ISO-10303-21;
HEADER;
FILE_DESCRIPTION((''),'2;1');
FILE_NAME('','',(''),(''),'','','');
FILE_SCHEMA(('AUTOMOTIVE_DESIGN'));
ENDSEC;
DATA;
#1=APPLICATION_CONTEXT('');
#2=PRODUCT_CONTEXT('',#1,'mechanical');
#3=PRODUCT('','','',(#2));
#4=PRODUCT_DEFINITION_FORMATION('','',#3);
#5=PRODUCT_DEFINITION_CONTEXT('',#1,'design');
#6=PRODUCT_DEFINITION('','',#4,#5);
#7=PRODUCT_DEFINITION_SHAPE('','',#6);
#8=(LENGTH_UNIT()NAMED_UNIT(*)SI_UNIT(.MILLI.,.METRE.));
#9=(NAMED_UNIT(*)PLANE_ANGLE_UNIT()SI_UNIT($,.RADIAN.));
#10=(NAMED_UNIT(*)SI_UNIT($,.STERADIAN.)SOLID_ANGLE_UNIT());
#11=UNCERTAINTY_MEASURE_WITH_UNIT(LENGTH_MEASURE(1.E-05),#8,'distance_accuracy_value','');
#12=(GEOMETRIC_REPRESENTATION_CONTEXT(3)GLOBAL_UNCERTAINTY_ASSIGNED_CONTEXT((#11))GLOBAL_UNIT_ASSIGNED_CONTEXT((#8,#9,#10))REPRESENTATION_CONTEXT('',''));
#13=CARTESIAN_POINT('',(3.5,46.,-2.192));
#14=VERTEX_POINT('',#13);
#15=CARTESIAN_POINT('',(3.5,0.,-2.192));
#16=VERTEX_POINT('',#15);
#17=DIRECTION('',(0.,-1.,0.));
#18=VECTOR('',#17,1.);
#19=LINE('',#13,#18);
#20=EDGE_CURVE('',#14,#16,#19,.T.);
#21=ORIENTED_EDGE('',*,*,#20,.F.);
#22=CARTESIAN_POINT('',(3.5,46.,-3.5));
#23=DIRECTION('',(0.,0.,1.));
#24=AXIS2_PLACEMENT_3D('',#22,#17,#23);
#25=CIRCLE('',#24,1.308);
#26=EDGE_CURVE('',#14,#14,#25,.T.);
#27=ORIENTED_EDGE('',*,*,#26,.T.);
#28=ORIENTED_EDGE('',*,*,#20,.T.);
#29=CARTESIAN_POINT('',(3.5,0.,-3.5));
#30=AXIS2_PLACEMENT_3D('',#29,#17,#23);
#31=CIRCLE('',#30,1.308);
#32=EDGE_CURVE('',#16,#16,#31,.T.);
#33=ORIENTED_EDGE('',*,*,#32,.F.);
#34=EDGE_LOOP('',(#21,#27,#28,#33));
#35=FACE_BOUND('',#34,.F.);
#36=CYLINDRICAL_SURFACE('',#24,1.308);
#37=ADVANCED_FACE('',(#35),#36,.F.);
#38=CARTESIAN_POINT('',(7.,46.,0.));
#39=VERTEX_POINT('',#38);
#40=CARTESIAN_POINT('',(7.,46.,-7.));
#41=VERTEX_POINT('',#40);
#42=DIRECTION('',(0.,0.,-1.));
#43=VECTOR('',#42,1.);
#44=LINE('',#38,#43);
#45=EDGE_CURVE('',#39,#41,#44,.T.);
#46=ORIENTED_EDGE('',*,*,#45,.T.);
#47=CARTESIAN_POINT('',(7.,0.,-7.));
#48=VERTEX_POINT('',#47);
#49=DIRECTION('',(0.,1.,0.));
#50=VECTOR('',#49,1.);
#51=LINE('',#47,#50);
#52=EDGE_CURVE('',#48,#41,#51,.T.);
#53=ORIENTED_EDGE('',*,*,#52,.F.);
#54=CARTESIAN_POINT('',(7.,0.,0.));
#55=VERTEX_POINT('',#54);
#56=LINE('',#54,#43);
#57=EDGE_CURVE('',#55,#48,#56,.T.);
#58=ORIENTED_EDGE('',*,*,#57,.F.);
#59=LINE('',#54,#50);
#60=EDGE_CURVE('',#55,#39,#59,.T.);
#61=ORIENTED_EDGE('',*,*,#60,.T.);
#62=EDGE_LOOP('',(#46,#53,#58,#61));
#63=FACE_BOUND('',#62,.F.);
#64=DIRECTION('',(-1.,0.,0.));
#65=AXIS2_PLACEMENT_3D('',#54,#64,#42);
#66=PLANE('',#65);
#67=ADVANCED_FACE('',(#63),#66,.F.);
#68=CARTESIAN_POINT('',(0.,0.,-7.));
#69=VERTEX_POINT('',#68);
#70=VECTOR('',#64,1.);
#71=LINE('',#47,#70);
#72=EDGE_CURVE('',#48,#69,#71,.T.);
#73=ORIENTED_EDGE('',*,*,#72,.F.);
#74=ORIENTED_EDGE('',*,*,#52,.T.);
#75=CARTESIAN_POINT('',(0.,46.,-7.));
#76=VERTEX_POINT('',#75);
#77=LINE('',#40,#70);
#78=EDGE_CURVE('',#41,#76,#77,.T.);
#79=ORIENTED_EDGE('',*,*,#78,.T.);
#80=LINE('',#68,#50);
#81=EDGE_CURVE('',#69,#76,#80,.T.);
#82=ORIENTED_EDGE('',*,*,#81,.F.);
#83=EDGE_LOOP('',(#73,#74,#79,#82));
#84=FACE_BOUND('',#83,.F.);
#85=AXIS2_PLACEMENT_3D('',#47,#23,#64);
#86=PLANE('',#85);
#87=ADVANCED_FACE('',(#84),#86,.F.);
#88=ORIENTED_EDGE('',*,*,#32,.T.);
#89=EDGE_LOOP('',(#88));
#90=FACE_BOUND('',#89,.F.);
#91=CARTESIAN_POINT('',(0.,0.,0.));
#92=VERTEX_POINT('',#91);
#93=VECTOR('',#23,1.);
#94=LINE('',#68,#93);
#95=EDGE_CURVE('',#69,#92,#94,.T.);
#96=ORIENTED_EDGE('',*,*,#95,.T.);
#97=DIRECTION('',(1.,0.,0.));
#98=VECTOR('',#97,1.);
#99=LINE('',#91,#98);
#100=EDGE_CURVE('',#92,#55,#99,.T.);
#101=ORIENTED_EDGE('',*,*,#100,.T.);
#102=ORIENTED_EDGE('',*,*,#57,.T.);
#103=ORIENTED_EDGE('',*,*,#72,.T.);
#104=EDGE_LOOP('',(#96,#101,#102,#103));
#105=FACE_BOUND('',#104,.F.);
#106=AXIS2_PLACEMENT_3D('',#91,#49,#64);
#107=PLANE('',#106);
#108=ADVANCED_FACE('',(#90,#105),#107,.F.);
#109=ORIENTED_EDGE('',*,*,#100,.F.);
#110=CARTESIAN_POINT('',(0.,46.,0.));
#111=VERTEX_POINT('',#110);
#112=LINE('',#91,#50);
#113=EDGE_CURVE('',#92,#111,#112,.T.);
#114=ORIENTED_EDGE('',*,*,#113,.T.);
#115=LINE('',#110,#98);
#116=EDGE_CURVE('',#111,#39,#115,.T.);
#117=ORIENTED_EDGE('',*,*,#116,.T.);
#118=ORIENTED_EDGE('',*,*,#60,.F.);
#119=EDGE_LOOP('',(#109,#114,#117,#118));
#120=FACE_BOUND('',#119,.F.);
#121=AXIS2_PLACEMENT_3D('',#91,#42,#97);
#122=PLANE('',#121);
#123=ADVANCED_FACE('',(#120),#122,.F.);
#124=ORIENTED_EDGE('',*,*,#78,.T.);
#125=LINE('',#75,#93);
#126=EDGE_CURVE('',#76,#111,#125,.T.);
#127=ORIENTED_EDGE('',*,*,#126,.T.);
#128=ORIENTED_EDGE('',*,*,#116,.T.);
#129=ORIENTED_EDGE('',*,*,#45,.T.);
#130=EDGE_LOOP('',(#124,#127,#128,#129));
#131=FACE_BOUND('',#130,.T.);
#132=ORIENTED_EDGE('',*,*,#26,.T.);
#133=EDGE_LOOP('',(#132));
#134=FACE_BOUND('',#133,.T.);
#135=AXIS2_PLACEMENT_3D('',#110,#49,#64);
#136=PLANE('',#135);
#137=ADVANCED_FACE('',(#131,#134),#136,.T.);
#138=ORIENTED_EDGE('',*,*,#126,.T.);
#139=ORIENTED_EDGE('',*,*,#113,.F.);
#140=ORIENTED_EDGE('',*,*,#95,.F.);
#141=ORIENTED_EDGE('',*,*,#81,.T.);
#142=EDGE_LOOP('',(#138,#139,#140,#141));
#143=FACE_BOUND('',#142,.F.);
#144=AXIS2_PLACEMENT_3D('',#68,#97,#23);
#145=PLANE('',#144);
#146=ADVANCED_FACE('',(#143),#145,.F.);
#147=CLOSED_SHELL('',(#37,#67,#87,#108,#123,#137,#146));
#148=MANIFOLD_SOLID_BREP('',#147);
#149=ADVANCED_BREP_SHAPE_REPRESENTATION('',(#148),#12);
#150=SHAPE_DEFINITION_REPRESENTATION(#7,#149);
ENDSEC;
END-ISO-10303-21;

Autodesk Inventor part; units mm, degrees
ref_plane "YZ Plane" through (0, 0, 0) normal (1, 0, 0) x (0, 1, 0)
ref_plane "XZ Plane" through (0, 0, 0) normal (0, 1, 0) x (-1, 0, 0)
ref_plane "XY Plane" through (0, 0, 0) normal (0, 0, 1) x (1, 0, 0)
sketch "Sketch1" plane through (0, 0, 0) normal (0, 1, 0) x (-1, 0, 0)
  line L0 (0, 0) -> (-7, 0)
  line L1 (-7, 0) -> (-7, -7)
  line L2 (-7, -7) -> (0, -7)
  line L3 (0, -7) -> (0, 0)
  dimension "d0" = 7
  dimension "d1" = 7
extrude "Extrusion1" add sketch "Sketch1" along normal blind 46
sketch "Sketch2" plane through (0, 46, 0) normal (0, 1, 0) x (1, 0, 0)
  line L0 (0, 7) -> (0, 0) projected
  line L1 (0, 3.5) -> (7, 3.5)
  line L2 (7, 0) -> (7, 7) projected
  line L3 (7, 7) -> (0, 7) projected
  line L4 (3.5, 7) -> (3.5, 0)
  line L5 (0, 0) -> (7, 0) projected
  point P0 (3.5, 3.5)
hole "Hole1" at (3.5, 46, -3.5) direction (0, -1, 0) diameter 2.616 end through all
properties part number "Spacer" material "ABS Plastic"
